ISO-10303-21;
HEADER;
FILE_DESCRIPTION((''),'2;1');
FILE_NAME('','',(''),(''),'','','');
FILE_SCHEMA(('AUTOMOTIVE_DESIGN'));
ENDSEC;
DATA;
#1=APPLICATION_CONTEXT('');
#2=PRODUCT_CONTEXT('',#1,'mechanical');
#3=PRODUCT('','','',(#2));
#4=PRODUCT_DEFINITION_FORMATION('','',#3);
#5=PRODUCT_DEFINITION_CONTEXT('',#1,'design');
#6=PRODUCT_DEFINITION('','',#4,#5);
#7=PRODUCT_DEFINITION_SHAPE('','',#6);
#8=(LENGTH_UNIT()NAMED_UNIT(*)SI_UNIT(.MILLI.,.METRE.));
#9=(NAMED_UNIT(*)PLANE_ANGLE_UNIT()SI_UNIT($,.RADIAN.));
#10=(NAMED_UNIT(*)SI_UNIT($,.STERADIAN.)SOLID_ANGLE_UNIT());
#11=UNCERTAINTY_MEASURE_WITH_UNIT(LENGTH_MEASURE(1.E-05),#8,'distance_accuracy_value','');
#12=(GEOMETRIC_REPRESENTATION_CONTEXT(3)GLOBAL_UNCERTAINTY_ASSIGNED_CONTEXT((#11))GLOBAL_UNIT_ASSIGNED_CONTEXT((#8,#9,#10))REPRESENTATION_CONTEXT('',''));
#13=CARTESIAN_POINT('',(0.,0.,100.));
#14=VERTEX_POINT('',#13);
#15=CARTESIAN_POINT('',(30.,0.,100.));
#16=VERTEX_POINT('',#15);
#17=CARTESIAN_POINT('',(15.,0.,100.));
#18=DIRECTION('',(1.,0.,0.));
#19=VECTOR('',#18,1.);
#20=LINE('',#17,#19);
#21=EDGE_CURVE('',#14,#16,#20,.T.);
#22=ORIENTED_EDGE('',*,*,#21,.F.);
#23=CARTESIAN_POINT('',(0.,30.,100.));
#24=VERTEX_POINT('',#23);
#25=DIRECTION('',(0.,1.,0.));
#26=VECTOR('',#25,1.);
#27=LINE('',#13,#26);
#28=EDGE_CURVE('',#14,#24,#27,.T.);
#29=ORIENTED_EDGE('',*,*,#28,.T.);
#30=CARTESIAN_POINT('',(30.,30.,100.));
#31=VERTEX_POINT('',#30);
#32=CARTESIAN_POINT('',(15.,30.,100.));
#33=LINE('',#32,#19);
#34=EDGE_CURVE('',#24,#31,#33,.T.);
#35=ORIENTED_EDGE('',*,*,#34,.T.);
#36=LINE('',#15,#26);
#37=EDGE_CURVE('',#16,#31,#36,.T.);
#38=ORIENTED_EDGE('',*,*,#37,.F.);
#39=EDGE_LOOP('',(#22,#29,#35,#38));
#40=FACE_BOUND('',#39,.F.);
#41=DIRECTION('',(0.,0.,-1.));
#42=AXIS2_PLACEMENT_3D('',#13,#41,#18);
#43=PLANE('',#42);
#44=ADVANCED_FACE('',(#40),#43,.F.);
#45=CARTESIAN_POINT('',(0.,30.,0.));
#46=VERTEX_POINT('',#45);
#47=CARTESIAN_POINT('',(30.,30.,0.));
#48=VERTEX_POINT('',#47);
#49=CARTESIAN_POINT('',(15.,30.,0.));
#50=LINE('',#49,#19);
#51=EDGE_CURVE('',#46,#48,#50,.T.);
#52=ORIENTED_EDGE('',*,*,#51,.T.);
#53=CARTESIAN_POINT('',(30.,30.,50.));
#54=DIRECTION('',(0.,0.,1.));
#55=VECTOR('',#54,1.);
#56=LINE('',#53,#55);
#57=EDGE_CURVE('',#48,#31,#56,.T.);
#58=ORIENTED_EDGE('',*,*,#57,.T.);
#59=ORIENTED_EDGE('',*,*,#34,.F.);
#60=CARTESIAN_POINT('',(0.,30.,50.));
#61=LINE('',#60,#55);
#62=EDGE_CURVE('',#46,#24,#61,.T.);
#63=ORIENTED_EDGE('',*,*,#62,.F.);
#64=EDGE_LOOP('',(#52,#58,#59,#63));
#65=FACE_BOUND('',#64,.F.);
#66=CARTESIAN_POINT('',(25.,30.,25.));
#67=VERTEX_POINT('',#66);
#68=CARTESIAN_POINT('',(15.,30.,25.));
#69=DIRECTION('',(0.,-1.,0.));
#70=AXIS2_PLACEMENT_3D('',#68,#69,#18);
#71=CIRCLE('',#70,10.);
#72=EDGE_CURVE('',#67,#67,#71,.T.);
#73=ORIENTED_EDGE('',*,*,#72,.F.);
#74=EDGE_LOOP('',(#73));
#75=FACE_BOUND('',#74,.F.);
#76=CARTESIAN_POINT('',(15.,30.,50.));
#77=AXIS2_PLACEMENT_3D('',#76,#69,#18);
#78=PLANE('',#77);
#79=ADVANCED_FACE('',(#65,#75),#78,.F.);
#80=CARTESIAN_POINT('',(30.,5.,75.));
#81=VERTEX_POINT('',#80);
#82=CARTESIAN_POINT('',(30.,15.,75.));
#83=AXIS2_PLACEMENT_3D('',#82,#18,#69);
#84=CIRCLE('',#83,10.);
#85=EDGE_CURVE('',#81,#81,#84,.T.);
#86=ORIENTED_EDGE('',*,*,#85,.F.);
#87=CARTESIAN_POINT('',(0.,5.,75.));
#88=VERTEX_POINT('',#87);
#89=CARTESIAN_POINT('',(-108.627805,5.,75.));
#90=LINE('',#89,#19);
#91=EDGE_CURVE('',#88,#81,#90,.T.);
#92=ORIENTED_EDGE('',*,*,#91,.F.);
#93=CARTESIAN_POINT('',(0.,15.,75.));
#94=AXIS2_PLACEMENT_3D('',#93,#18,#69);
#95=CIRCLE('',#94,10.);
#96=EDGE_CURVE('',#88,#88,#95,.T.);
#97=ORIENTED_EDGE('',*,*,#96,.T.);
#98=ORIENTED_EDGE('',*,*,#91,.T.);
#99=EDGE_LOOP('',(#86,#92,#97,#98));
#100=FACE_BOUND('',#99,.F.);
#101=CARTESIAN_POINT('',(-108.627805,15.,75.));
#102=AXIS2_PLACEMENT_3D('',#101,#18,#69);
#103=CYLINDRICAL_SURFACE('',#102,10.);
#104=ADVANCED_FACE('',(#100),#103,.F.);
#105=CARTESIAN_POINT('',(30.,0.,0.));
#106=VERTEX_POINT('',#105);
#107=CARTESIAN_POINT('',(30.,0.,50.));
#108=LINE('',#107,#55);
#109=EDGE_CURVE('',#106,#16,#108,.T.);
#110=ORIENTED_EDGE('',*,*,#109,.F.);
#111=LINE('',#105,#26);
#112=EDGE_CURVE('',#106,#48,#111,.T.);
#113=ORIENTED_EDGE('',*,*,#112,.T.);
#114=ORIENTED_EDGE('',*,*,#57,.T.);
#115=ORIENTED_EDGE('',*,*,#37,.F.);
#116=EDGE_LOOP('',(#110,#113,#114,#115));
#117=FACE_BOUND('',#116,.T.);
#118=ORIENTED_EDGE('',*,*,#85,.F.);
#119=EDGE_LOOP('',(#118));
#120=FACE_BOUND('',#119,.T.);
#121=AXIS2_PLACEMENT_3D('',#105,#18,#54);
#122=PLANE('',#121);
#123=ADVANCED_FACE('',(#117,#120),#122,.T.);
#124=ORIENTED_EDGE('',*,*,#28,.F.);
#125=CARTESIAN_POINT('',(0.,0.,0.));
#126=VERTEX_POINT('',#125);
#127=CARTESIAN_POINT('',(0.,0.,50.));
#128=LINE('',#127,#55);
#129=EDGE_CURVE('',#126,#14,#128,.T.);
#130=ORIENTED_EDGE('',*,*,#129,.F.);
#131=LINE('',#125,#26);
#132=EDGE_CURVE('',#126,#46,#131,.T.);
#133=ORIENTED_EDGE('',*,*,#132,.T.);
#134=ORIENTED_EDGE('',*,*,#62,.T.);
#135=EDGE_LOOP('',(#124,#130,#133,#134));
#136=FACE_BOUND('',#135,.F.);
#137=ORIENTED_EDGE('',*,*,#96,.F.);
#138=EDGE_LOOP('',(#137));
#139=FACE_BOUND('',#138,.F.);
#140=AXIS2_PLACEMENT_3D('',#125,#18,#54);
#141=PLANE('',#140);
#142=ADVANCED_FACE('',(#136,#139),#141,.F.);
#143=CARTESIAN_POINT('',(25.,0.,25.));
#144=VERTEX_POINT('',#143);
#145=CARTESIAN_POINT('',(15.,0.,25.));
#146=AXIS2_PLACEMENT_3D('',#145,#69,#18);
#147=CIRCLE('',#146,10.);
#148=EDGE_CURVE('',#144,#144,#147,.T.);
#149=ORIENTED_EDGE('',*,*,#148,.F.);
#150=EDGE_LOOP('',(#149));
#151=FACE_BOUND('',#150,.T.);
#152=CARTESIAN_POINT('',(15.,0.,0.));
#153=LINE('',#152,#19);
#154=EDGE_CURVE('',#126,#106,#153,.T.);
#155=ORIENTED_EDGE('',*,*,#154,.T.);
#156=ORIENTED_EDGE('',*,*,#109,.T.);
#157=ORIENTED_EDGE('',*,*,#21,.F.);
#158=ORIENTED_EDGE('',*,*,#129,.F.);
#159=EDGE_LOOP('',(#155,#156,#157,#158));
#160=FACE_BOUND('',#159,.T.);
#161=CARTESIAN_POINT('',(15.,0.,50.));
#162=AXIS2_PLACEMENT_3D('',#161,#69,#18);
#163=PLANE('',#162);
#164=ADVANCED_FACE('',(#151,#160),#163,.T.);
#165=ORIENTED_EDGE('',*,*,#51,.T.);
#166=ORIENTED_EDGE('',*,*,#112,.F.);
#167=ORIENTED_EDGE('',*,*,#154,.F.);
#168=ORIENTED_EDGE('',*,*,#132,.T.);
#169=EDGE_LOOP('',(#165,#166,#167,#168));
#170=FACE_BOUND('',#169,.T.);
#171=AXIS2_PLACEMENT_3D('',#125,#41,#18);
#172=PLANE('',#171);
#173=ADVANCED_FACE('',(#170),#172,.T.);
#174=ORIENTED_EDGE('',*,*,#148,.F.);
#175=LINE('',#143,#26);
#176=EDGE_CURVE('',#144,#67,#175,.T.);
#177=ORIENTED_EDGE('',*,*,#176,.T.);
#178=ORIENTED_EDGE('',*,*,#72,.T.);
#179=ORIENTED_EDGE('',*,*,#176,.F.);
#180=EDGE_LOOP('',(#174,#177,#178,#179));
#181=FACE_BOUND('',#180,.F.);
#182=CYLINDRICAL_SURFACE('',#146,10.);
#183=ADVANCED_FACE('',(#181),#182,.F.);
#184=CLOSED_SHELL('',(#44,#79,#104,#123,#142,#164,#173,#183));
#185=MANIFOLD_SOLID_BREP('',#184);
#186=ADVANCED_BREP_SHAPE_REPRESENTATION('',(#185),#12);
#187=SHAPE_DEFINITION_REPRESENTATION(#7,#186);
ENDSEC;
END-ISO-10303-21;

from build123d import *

# Parameters (mm, degrees)
F0_W     = 30
F0_H     = 100
F0_R     = 10
F2_DEPTH = 30
F3_D     = 20


with BuildPart() as f2:
    # F0 (on Front) → F2 (new body)
    with BuildSketch(Plane.XZ):
        with Locations((15, 50)):
            Rectangle(F0_W, F0_H)
        with Locations((15, 25)):
            Circle(F0_R, mode=Mode.SUBTRACT)
    extrude(amount=-F2_DEPTH)

    # F3 (through all)
    with Locations(Plane(origin=(0, 0, 0), x_dir=(0, 1, 0), z_dir=(-1, 0, 0))):
        with Locations((15, -75)):
            Hole(F3_D / 2)


solid = f2.part
